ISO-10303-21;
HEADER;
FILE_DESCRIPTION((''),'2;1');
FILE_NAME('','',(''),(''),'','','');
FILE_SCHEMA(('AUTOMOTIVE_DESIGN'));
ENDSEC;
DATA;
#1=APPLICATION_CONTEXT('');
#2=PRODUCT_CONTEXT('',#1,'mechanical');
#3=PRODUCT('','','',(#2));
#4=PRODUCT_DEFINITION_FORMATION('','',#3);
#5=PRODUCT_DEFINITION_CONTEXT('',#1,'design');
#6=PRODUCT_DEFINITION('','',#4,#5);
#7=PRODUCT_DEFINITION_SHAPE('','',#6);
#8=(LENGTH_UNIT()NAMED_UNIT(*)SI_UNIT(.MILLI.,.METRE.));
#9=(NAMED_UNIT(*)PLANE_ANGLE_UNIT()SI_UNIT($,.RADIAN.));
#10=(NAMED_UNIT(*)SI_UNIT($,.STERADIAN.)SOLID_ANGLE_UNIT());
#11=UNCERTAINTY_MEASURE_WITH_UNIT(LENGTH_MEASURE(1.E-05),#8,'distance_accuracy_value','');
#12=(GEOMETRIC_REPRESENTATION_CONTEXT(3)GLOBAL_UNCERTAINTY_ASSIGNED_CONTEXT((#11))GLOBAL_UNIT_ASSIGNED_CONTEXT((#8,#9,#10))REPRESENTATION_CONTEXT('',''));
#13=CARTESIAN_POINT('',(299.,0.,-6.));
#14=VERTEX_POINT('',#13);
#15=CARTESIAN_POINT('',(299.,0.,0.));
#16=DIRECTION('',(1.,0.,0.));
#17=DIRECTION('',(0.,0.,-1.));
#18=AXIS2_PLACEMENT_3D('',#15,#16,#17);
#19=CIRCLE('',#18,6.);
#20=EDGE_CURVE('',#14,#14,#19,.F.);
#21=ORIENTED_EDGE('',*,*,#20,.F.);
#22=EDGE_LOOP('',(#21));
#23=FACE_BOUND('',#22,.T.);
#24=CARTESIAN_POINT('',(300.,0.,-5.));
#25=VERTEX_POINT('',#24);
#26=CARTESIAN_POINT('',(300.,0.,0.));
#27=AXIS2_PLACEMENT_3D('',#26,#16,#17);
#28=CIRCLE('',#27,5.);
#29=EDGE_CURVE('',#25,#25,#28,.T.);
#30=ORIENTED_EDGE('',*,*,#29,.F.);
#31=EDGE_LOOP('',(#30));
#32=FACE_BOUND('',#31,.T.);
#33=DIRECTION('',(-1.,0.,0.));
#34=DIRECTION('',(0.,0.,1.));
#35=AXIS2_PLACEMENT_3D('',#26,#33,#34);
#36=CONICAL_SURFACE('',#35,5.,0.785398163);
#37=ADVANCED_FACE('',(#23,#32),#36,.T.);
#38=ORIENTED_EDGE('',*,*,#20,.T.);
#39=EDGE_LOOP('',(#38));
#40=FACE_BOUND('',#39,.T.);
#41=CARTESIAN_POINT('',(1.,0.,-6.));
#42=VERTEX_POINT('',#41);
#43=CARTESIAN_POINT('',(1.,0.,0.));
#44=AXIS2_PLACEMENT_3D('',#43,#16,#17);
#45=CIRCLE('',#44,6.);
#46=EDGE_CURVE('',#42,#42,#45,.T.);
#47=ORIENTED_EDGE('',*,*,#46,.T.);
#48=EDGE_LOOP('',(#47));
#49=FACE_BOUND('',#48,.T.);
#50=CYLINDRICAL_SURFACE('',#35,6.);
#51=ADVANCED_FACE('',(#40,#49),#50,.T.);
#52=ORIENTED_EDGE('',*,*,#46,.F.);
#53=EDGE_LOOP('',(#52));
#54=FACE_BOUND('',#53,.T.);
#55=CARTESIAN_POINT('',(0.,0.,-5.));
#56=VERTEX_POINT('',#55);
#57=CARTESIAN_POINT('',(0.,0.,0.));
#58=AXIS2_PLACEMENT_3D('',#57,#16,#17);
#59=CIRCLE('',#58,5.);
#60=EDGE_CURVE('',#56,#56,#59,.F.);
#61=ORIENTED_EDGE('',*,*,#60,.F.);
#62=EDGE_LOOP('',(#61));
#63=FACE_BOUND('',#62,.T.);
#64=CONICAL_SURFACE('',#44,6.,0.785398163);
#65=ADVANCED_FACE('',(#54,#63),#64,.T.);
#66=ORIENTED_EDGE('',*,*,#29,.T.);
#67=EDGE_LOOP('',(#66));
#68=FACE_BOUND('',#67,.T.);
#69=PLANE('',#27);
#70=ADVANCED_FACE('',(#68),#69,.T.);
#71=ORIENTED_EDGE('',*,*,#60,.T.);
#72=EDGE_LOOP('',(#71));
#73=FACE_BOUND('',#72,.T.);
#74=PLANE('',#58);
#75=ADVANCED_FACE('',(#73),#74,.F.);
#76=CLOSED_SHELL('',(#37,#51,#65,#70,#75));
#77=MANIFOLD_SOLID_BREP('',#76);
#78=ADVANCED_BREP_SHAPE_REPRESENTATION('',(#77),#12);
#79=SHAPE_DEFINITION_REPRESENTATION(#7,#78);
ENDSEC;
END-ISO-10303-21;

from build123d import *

# Parameters (mm, degrees)
SKETCH1_R           = 6
BOSS_EXTRUDE1_DEPTH = 300
CHAMFER1_SIZE       = 1


with BuildPart() as part:
    # Sketch1 → Boss-Extrude1 (new body)
    with BuildSketch(Plane(origin=(0, 0, 0), x_dir=(0, 0, -1), z_dir=(1, 0, 0))):
        Circle(SKETCH1_R)
    extrude(amount=BOSS_EXTRUDE1_DEPTH)

    # Chamfer1
    chamfer1_edges = [part.edges().sort_by_distance(p)[0] for p in [
        (0, 0, 6),
        (300, 0, 6),
    ]]
    chamfer(chamfer1_edges, length=CHAMFER1_SIZE)


solid = part.part
